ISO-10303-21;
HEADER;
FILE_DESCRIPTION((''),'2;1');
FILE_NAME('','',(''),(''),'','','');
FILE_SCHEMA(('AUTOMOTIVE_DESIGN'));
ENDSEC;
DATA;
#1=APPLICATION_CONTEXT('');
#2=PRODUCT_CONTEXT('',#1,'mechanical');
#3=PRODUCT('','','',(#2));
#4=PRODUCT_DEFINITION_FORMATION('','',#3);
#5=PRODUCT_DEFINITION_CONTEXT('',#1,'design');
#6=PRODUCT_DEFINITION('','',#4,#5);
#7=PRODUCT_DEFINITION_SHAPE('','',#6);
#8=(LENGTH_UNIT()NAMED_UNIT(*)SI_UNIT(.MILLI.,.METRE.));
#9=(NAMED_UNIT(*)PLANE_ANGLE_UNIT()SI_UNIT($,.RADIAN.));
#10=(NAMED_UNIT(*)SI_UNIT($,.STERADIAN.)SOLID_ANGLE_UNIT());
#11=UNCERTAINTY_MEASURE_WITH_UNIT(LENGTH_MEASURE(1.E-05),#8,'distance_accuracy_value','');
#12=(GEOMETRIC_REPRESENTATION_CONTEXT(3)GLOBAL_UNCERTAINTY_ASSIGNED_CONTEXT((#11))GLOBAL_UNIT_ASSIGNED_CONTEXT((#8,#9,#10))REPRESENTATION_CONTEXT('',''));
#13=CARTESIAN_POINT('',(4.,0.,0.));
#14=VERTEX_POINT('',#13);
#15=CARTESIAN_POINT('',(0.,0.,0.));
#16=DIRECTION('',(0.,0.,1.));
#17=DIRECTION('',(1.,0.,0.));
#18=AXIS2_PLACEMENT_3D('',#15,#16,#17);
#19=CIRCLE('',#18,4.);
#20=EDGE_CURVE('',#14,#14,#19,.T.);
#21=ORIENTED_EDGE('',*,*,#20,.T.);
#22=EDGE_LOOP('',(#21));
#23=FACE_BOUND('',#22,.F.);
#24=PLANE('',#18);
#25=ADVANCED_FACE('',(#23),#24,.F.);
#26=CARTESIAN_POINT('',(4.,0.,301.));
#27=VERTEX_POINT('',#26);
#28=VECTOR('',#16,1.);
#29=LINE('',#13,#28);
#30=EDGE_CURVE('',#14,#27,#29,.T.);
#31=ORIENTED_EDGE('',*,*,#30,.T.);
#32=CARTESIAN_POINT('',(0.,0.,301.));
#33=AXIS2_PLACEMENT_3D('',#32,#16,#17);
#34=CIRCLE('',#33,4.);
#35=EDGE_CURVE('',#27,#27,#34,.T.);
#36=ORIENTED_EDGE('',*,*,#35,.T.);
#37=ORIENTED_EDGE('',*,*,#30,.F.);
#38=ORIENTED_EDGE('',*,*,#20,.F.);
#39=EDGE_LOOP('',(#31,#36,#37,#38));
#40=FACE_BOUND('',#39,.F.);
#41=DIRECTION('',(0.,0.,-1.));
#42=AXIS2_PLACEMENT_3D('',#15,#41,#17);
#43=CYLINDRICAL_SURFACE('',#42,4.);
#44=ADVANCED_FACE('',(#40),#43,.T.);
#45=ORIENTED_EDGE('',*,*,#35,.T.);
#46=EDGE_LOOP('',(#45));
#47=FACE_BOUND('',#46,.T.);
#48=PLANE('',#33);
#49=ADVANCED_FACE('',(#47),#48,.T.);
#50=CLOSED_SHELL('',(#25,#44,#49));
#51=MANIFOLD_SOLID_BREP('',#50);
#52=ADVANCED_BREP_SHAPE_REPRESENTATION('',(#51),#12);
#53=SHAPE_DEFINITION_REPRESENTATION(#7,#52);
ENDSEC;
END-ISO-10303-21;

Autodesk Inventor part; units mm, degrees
ref_plane "YZ Plane" through (0, 0, 0) normal (1, 0, 0) x (0, 1, 0)
ref_plane "XZ Plane" through (0, 0, 0) normal (0, 1, 0) x (-1, 0, 0)
ref_plane "XY Plane" through (0, 0, 0) normal (0, 0, 1) x (1, 0, 0)
sketch "Sketch1" plane through (0, 0, 0) normal (0, 0, 1) x (1, 0, 0)
  circle A0 centre (0, 0) radius 4
  dimension "d0" = 8
extrude "Extrusion1" add sketch "Sketch1" along normal blind 301
properties part number "Zshaft"
